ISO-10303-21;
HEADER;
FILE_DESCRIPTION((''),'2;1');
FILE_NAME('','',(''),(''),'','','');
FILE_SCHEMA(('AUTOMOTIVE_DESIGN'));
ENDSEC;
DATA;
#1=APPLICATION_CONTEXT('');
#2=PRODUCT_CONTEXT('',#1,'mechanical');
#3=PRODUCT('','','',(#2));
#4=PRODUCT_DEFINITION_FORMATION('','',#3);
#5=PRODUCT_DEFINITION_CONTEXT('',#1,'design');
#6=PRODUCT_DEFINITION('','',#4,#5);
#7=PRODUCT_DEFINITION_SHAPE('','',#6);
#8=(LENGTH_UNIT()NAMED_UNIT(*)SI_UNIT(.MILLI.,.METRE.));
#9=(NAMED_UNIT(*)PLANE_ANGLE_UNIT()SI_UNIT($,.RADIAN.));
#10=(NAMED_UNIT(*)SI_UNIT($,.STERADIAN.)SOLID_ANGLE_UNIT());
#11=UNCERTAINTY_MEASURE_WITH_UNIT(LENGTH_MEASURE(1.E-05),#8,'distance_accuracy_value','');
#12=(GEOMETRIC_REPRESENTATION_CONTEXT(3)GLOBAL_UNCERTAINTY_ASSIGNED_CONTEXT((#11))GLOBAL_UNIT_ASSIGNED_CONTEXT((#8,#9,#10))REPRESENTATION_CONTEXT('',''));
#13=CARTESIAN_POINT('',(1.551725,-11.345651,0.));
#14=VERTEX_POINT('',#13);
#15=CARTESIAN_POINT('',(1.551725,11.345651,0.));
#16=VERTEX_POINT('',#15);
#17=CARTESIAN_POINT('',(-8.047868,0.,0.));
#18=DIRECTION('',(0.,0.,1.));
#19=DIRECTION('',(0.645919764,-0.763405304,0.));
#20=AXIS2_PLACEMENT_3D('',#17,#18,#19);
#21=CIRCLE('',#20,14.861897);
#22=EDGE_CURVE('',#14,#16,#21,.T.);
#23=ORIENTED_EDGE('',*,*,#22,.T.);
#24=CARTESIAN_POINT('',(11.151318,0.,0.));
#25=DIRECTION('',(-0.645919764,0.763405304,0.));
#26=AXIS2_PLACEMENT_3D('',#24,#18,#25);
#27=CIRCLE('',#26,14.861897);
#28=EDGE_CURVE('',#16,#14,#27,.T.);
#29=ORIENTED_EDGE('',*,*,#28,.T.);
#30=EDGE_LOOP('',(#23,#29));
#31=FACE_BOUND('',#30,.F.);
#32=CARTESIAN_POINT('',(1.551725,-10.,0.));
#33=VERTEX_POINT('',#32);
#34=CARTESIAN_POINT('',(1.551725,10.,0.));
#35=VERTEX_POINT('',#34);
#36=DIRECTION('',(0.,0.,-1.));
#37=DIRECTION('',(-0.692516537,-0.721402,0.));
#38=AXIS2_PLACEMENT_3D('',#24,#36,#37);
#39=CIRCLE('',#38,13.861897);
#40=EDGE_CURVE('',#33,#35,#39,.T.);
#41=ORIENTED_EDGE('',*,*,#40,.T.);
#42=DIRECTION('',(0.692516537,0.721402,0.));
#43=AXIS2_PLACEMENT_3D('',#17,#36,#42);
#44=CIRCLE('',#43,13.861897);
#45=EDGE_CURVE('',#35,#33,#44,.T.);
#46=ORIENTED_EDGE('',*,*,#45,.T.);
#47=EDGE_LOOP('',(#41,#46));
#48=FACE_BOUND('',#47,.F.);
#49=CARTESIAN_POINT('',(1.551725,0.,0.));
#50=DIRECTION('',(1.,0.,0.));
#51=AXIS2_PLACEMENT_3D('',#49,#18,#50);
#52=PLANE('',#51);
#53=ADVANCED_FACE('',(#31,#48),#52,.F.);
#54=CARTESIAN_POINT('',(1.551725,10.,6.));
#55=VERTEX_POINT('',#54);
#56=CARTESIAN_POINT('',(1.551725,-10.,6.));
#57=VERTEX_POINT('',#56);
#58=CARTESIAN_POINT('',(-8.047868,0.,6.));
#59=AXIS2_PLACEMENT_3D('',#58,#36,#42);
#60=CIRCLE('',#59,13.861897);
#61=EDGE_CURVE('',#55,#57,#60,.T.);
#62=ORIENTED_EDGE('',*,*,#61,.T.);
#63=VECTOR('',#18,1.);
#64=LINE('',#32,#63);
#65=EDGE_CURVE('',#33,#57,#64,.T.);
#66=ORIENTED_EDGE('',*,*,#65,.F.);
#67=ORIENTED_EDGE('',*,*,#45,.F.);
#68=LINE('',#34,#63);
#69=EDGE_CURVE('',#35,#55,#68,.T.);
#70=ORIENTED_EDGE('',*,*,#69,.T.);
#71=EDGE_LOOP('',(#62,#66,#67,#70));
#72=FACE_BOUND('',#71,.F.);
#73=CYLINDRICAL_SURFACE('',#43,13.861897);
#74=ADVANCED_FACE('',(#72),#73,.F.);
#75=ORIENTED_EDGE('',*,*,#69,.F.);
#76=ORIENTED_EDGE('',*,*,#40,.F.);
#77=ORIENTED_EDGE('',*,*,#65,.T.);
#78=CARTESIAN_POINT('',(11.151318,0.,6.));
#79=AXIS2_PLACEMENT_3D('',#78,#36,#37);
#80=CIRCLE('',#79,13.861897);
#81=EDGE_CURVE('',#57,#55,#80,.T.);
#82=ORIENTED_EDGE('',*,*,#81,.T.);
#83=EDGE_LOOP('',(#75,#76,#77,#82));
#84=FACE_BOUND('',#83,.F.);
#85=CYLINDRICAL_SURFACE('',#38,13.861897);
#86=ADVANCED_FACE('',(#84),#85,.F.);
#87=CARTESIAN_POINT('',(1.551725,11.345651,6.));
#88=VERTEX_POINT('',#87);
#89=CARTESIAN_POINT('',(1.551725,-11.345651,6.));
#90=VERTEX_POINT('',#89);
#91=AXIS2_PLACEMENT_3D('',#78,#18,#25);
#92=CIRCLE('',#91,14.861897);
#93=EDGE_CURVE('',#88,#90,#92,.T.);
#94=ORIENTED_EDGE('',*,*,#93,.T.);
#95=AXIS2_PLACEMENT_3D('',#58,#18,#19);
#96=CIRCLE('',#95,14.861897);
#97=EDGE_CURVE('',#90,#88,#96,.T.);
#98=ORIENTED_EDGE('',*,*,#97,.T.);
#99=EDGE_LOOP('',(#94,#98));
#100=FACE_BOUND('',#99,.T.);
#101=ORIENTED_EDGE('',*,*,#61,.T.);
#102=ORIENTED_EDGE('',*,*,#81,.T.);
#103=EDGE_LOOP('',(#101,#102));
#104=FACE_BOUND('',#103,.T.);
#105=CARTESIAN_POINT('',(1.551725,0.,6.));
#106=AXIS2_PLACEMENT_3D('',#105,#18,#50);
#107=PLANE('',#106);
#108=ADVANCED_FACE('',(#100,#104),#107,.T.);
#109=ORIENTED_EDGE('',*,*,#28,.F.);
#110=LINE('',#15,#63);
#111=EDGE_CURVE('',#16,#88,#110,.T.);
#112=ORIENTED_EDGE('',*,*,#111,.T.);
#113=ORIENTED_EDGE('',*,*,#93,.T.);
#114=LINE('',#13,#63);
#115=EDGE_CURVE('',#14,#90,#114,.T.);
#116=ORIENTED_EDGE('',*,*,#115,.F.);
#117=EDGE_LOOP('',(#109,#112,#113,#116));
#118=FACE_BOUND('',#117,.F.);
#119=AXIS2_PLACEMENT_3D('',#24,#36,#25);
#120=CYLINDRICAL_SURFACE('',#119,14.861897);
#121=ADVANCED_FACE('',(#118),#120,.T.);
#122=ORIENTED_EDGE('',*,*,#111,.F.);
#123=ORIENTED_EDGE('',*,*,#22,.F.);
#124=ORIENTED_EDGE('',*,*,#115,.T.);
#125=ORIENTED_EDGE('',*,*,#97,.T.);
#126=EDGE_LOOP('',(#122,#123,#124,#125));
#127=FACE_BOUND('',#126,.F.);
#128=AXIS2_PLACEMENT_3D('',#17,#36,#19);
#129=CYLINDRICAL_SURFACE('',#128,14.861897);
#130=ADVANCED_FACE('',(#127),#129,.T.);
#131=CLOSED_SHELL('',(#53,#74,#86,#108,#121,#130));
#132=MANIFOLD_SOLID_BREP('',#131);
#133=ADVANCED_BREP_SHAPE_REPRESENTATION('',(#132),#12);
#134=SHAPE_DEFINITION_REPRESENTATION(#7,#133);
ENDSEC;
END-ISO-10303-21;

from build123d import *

# Parameters (mm, degrees)
F1_DEPTH = 6


with BuildPart() as f1:
    # F0 (on Top) → F1 (new body)
    with BuildSketch(Plane.XY):
        with BuildLine():
            ThreePointArc((1.551725, -11.345651), (6.814029, 0), (1.551725, 11.345651))
            ThreePointArc((1.551725, 11.345651), (-3.710579, 0), (1.551725, -11.345651))
        make_face()
        with BuildLine():
            ThreePointArc((1.551725, 10), (5.814029, 0), (1.551725, -10))
            ThreePointArc((1.551725, -10), (-2.710579, 0), (1.551725, 10))
        make_face(mode=Mode.SUBTRACT)
    extrude(amount=F1_DEPTH)


solid = f1.part
